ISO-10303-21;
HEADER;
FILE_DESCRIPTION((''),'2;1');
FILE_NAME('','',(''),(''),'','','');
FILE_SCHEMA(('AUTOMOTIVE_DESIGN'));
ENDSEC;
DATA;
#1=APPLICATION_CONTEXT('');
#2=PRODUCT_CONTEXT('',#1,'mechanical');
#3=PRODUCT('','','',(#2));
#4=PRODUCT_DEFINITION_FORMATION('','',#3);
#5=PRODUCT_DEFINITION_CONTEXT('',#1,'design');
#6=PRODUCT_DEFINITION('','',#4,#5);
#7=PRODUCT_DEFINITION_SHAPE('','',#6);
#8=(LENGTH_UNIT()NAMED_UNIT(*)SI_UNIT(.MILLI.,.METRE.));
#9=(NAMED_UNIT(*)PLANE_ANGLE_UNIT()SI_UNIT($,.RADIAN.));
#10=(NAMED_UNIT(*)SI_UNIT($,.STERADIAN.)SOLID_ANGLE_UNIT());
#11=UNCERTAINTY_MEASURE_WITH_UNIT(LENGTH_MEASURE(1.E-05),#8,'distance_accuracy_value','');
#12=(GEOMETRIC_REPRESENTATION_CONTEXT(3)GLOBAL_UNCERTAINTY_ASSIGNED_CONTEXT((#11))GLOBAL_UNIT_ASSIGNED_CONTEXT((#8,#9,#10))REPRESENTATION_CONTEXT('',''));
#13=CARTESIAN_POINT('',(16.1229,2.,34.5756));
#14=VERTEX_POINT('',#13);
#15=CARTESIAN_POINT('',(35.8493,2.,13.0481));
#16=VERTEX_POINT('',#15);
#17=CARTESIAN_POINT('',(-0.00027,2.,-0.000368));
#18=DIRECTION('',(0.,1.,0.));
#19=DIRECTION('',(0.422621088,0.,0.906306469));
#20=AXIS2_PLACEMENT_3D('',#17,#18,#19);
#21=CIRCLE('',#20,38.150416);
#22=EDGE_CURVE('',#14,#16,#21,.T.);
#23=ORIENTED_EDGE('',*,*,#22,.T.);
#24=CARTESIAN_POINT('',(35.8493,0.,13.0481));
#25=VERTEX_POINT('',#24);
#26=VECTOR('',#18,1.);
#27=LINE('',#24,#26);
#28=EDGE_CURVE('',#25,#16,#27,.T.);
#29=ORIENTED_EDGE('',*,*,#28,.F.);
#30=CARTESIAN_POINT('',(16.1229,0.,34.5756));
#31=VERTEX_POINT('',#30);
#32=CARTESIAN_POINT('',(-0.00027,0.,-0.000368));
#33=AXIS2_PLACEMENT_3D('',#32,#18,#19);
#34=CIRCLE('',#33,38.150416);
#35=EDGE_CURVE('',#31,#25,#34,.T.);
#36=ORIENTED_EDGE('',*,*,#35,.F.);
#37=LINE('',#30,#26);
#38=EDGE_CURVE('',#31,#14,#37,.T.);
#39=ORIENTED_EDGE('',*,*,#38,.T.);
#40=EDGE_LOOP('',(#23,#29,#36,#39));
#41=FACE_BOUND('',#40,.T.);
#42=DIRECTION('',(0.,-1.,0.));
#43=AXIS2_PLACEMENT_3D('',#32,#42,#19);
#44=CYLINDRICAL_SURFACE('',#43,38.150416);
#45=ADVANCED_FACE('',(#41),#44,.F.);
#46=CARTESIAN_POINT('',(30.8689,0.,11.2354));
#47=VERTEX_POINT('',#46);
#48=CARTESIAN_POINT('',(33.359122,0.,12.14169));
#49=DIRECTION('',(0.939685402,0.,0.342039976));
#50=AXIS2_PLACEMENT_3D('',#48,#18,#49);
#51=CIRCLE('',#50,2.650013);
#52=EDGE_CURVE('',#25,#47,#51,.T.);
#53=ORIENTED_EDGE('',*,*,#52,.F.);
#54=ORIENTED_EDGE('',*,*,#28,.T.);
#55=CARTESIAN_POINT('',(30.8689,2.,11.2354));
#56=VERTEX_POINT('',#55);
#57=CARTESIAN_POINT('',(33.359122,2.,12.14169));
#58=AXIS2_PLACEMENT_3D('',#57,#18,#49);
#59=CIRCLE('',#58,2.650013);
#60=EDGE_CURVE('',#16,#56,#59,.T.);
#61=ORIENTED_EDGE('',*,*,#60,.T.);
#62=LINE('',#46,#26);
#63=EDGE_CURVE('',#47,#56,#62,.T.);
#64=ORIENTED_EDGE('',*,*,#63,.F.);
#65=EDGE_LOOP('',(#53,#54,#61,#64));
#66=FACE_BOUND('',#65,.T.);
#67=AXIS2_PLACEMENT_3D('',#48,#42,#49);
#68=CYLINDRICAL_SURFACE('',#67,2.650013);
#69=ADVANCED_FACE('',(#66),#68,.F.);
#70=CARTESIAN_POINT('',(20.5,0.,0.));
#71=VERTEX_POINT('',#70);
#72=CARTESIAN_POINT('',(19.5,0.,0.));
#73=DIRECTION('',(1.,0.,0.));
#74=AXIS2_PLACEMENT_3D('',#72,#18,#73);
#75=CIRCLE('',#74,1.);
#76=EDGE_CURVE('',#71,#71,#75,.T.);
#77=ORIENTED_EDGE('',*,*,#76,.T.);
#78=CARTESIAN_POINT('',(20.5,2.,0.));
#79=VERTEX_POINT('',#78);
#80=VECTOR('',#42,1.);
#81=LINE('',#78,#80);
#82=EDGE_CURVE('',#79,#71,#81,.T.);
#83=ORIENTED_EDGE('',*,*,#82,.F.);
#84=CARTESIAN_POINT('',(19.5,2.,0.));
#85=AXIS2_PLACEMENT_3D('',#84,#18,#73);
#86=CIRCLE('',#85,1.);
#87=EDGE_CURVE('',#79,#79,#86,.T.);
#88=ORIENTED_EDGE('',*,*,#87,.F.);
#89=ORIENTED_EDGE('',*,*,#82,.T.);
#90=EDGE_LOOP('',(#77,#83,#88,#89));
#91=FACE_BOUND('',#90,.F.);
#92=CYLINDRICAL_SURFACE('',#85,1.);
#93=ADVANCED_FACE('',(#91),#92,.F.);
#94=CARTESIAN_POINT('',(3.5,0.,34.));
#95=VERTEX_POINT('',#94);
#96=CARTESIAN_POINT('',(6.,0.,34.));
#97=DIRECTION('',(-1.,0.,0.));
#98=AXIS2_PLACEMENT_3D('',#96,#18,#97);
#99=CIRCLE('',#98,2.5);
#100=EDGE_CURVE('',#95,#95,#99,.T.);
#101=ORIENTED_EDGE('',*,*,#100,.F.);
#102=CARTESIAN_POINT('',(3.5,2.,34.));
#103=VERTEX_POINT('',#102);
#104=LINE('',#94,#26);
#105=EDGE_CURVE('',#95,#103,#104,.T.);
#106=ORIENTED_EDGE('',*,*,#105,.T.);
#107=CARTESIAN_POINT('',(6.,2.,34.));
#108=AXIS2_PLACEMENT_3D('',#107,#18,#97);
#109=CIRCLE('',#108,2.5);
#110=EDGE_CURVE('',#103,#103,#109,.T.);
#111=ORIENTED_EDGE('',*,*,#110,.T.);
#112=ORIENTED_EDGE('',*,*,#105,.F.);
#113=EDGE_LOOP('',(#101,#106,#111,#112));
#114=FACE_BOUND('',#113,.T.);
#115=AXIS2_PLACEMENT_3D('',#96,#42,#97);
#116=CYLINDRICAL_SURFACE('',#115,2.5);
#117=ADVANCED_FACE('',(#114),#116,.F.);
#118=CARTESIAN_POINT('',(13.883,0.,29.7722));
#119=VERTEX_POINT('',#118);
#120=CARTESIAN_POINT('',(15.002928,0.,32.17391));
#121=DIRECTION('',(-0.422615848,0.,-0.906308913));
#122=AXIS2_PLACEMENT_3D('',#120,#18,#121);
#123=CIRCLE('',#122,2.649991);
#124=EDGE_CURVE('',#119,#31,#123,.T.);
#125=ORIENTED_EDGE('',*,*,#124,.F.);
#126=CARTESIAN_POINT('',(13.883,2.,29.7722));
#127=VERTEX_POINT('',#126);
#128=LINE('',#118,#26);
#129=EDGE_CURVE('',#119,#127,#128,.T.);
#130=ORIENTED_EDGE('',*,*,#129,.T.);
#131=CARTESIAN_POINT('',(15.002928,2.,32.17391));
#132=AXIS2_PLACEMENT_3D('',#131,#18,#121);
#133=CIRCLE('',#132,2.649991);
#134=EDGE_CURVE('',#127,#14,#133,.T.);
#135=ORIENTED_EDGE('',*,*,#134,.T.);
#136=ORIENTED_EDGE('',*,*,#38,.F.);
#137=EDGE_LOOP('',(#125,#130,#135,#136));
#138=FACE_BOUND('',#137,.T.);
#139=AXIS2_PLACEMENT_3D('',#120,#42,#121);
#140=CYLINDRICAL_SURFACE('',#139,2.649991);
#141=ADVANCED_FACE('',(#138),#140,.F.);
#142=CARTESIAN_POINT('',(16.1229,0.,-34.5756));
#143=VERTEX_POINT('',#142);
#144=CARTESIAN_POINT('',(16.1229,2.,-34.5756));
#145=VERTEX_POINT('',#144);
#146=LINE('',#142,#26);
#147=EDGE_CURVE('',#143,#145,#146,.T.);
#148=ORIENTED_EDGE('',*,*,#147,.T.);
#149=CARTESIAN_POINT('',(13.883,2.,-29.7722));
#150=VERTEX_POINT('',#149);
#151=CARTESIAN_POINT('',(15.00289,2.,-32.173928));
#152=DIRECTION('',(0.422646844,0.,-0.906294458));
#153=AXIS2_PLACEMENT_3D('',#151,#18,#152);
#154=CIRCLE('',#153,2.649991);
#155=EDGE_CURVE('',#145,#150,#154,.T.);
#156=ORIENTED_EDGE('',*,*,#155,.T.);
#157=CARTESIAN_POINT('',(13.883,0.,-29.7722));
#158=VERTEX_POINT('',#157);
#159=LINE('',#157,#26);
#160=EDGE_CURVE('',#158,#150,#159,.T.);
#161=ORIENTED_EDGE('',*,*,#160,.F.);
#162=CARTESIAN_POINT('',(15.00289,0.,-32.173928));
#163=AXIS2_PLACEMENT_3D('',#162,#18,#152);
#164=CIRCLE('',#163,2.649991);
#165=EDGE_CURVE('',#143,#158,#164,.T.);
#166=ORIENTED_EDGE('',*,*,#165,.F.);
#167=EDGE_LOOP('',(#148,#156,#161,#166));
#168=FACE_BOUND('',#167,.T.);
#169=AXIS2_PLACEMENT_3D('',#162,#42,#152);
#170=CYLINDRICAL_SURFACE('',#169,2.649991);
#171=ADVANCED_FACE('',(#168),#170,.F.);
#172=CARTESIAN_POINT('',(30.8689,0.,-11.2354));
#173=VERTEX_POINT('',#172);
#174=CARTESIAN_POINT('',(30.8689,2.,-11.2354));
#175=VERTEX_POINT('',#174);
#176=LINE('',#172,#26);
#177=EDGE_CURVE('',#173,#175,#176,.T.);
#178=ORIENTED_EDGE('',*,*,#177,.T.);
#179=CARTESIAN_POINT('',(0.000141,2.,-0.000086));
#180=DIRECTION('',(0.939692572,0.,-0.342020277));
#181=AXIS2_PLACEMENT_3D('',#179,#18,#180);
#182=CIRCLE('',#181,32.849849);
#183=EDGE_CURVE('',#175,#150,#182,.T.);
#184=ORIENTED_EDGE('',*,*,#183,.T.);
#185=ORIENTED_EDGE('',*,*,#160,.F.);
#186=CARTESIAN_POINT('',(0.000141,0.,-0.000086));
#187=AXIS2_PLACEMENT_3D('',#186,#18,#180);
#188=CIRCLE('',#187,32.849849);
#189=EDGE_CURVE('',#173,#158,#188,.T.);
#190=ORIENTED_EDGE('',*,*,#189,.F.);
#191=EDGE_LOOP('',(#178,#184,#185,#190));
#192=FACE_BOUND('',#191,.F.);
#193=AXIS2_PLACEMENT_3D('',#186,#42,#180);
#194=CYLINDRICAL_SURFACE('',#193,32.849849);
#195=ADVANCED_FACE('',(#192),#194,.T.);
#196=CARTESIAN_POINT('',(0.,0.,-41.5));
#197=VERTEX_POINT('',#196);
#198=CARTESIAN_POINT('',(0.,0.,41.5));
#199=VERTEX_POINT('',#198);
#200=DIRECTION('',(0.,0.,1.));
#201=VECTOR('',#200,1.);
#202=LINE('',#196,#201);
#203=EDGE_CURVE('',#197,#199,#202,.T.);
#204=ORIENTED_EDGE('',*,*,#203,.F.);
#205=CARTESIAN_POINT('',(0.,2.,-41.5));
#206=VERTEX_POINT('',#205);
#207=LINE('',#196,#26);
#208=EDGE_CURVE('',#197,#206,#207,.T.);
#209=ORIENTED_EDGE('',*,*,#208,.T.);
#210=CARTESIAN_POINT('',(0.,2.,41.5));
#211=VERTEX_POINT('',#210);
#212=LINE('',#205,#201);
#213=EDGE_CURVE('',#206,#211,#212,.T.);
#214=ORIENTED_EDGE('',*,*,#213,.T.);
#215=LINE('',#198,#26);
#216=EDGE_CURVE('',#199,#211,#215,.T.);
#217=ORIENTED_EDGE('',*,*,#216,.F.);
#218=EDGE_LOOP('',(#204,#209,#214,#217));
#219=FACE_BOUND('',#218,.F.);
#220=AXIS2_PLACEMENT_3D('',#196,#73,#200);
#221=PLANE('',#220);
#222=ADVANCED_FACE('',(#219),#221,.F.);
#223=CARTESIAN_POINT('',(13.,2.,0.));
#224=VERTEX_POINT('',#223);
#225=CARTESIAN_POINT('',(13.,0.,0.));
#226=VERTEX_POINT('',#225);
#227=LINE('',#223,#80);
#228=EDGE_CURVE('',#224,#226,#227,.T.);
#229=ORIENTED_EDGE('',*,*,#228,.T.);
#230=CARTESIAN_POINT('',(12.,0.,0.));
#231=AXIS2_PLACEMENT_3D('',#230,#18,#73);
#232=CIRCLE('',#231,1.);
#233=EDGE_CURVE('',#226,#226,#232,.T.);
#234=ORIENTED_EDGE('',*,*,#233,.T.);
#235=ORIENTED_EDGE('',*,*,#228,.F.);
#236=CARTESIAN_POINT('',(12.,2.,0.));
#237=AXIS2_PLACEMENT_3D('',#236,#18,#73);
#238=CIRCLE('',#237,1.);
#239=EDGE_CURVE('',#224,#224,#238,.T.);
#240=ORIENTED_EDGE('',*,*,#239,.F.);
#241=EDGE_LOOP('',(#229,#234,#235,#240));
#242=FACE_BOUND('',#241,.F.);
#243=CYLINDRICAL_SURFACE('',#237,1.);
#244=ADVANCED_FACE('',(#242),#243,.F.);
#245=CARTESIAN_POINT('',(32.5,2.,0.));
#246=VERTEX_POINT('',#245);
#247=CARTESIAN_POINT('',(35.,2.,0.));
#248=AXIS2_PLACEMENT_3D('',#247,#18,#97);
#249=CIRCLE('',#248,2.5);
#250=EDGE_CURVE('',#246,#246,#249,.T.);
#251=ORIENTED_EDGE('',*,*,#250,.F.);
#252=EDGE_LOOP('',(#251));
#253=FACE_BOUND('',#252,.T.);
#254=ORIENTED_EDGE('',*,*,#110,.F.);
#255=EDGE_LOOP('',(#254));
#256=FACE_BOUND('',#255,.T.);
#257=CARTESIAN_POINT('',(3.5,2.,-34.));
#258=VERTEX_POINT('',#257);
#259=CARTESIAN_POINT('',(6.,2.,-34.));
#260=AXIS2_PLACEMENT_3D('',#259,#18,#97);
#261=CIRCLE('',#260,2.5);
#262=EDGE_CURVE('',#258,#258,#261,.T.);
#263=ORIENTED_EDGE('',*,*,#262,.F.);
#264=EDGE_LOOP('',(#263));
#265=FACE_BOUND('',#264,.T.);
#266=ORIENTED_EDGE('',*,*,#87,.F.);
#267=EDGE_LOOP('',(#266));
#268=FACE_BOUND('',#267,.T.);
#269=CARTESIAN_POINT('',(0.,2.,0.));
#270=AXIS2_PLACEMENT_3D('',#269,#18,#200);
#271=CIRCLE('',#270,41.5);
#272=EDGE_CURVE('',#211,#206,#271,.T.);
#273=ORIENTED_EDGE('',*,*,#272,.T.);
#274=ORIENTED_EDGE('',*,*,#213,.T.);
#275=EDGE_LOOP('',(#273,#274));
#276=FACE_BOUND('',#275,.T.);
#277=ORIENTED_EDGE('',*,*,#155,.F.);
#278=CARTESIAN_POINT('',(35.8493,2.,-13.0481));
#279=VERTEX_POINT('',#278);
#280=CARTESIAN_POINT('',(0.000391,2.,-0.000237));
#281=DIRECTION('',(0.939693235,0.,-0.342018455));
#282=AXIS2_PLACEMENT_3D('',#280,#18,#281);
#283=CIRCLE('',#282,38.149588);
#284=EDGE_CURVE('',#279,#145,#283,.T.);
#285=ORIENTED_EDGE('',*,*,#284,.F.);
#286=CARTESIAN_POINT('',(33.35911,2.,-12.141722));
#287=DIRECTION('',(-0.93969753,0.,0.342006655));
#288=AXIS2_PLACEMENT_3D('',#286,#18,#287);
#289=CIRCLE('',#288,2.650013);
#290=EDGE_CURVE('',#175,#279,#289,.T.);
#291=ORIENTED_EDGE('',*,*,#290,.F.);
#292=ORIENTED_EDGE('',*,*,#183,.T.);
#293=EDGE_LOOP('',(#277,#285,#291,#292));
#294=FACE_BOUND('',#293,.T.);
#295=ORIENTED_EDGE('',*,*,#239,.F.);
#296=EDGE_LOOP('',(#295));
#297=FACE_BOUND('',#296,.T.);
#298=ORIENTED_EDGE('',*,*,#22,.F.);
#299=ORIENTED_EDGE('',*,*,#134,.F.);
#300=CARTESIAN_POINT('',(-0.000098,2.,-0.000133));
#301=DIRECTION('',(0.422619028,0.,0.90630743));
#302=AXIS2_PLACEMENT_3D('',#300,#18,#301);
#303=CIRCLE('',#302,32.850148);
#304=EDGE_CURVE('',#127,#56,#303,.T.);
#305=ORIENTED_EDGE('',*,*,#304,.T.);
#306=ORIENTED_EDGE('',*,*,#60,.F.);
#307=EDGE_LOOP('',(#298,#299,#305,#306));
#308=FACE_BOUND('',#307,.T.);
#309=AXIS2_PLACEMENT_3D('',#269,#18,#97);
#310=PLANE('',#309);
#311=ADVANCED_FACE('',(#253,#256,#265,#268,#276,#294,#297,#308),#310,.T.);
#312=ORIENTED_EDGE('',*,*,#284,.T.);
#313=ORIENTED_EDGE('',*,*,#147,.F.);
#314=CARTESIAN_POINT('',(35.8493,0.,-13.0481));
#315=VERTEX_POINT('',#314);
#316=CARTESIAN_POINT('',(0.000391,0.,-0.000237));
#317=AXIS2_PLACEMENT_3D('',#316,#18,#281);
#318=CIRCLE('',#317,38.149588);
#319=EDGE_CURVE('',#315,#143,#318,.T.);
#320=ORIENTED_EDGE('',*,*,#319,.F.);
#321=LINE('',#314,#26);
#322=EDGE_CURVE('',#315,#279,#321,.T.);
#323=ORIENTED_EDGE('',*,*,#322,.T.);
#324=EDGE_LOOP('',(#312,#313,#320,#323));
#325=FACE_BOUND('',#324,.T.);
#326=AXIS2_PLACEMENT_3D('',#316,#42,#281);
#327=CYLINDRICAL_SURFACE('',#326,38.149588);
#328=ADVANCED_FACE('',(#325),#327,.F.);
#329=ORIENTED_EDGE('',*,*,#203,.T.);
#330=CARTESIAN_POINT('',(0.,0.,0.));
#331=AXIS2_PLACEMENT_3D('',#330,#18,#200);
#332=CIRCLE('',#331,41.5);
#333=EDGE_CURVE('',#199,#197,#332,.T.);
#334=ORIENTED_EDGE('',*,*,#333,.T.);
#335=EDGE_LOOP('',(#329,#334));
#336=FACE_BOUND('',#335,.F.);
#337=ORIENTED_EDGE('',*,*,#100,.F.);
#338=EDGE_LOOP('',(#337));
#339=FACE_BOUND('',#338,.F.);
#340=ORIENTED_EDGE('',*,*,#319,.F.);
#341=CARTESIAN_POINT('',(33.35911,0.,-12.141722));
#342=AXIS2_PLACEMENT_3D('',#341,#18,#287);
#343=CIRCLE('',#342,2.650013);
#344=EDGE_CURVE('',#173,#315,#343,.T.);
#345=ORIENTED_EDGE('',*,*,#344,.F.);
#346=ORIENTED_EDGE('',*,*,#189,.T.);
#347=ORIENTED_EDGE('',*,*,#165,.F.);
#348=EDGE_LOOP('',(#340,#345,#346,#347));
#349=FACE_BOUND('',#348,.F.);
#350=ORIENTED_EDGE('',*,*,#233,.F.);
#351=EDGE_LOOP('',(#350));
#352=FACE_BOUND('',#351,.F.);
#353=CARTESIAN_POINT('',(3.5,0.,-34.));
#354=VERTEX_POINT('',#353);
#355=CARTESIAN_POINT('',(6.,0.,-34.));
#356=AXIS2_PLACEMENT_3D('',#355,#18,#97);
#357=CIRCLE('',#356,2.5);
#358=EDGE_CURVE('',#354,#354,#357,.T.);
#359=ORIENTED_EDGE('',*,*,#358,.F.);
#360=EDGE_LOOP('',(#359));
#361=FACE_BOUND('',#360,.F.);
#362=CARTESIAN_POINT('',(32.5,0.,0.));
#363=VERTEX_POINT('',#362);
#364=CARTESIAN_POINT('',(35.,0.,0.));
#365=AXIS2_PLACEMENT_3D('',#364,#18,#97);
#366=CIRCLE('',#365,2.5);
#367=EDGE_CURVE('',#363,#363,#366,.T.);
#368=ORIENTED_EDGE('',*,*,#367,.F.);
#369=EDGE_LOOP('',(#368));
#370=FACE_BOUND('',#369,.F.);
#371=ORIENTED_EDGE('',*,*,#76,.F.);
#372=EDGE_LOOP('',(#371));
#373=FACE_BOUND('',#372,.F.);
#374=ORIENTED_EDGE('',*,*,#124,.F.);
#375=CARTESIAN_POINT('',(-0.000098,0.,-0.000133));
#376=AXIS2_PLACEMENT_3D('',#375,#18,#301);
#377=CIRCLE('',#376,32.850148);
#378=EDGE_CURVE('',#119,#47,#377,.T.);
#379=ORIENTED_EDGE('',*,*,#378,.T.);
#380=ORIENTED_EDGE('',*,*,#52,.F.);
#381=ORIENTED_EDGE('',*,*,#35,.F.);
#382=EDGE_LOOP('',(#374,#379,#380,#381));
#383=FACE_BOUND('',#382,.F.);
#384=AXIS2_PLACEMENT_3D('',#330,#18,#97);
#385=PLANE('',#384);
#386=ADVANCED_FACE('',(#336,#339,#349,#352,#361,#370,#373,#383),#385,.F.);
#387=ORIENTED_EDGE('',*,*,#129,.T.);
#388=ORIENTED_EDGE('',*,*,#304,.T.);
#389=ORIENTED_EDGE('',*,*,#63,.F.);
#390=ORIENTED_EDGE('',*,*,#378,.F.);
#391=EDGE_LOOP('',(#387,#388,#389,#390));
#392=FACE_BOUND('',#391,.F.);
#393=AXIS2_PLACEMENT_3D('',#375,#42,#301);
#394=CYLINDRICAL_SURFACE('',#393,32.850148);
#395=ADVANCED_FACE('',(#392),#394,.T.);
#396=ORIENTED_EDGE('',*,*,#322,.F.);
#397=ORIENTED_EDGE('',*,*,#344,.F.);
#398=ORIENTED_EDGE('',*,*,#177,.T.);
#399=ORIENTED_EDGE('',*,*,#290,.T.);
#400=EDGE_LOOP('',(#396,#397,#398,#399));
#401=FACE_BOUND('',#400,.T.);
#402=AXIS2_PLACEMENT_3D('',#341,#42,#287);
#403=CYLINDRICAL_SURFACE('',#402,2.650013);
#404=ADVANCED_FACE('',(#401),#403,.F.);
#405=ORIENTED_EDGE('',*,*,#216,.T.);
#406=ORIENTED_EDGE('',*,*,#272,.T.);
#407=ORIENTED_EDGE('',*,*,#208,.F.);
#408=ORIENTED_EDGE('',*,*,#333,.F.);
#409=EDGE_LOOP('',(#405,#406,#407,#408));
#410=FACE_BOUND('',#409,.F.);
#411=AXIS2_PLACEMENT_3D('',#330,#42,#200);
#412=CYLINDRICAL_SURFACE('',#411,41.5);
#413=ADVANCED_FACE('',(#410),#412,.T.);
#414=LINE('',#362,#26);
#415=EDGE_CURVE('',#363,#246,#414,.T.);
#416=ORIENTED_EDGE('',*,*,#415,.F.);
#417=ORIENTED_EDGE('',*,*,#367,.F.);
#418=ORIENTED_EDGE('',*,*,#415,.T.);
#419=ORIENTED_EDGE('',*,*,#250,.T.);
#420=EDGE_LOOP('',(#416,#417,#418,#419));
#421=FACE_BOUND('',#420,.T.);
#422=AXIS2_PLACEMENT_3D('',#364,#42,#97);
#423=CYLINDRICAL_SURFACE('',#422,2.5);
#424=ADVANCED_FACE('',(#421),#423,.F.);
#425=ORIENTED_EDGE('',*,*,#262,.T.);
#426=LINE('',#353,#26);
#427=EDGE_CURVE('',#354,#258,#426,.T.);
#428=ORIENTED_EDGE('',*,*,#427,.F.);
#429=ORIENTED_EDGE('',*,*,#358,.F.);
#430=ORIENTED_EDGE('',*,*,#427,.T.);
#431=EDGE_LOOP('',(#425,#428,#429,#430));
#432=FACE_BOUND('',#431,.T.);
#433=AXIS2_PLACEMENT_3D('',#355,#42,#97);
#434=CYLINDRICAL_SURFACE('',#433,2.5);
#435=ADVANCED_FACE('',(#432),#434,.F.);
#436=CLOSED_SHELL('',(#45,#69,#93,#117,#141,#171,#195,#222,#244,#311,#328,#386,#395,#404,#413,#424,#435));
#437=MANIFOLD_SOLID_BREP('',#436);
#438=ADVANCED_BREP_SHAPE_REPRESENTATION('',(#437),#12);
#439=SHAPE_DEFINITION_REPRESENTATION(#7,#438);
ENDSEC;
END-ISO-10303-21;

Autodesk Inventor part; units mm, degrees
ref_plane "YZ Plane" through (0, 0, 0) normal (1, 0, 0) x (0, 1, 0)
ref_plane "XZ Plane" through (0, 0, 0) normal (0, 1, 0) x (-1, 0, 0)
ref_plane "XY Plane" through (0, 0, 0) normal (0, 0, 1) x (1, 0, 0)
sketch "Sketch1" plane through (0, 0, 0) normal (0, 1, 0) x (-1, 0, 0)
  circle A0 centre (0, 0) radius 41.5 construction
  line L0 (0, -41.5) -> (0, 41.5)
  arc A1 (0, 41.5) -> (0, -41.5) centre (0, 0) ccw
  circle A2 centre (-6, -34) radius 2.5
  circle A3 centre (-6, 34) radius 2.5
  line L1 (0, 0) -> (-41.5, 0) construction
  circle A4 centre (-35, 0) radius 2.5
  circle A5 centre (0, 0) radius 35.5 construction
  line L2 (0, 0) -> (-38.9972, -14.1938) construction
  line L3 (0, 0) -> (-17.5387, -37.6118) construction
  arc A6 (-33.3591, -12.1417) -> (-15.0029, -32.1739) centre (0, 0) ccw construction
  arc A7 (-35.8493, -13.0481) -> (-16.1229, -34.5756) centre (0, 0) ccw
  arc A8 (-30.8689, -11.2354) -> (-13.883, -29.7722) centre (0, 0) ccw
  arc A9 (-30.8689, -11.2354) -> (-35.8493, -13.0481) centre (-33.3591, -12.1417) ccw
  arc A10 (-16.1229, -34.5756) -> (-13.883, -29.7722) centre (-15.0029, -32.1739) ccw
  arc A11 (-16.1229, 34.5756) -> (-35.8493, 13.0481) centre (0, 0) ccw
  arc A12 (-13.883, 29.7722) -> (-30.8689, 11.2354) centre (0, 0) ccw
  arc A13 (-35.8493, 13.0481) -> (-30.8689, 11.2354) centre (-33.3591, 12.1417) ccw
  arc A14 (-13.883, 29.7722) -> (-16.1229, 34.5756) centre (-15.0029, 32.1739) ccw
  dimension "d0" = 83
  dimension "d1" = 83
  dimension "d2" = 5
  dimension "d3" = 6
  dimension "d4" = 34
  dimension "d5" = 34
  dimension "d6" = 35
  dimension "d7" = 6
  dimension "d8" = 20
  dimension "d9" = 25
  dimension "d10" = 5.3
extrude "Extrusion1" add sketch "Sketch1" along normal blind 2
sketch "Sketch2" plane through (0, 2, 0) normal (0, 1, 0) x (1, 0, 0)
  arc A0 (0, -41.5) -> (0, 41.5) centre (0, 0) ccw construction
  circle A1 centre (12, 0) radius 1
  circle A2 centre (19.5, 0) radius 1
  line L0 (0, 0) -> (41.5, 0) construction
  dimension "d13" = 7.5
  dimension "d14" = 2
  dimension "d15" = 12
extrude "Extrusion2" cut sketch "Sketch2" against normal through all
properties part number "_3DPrint"
